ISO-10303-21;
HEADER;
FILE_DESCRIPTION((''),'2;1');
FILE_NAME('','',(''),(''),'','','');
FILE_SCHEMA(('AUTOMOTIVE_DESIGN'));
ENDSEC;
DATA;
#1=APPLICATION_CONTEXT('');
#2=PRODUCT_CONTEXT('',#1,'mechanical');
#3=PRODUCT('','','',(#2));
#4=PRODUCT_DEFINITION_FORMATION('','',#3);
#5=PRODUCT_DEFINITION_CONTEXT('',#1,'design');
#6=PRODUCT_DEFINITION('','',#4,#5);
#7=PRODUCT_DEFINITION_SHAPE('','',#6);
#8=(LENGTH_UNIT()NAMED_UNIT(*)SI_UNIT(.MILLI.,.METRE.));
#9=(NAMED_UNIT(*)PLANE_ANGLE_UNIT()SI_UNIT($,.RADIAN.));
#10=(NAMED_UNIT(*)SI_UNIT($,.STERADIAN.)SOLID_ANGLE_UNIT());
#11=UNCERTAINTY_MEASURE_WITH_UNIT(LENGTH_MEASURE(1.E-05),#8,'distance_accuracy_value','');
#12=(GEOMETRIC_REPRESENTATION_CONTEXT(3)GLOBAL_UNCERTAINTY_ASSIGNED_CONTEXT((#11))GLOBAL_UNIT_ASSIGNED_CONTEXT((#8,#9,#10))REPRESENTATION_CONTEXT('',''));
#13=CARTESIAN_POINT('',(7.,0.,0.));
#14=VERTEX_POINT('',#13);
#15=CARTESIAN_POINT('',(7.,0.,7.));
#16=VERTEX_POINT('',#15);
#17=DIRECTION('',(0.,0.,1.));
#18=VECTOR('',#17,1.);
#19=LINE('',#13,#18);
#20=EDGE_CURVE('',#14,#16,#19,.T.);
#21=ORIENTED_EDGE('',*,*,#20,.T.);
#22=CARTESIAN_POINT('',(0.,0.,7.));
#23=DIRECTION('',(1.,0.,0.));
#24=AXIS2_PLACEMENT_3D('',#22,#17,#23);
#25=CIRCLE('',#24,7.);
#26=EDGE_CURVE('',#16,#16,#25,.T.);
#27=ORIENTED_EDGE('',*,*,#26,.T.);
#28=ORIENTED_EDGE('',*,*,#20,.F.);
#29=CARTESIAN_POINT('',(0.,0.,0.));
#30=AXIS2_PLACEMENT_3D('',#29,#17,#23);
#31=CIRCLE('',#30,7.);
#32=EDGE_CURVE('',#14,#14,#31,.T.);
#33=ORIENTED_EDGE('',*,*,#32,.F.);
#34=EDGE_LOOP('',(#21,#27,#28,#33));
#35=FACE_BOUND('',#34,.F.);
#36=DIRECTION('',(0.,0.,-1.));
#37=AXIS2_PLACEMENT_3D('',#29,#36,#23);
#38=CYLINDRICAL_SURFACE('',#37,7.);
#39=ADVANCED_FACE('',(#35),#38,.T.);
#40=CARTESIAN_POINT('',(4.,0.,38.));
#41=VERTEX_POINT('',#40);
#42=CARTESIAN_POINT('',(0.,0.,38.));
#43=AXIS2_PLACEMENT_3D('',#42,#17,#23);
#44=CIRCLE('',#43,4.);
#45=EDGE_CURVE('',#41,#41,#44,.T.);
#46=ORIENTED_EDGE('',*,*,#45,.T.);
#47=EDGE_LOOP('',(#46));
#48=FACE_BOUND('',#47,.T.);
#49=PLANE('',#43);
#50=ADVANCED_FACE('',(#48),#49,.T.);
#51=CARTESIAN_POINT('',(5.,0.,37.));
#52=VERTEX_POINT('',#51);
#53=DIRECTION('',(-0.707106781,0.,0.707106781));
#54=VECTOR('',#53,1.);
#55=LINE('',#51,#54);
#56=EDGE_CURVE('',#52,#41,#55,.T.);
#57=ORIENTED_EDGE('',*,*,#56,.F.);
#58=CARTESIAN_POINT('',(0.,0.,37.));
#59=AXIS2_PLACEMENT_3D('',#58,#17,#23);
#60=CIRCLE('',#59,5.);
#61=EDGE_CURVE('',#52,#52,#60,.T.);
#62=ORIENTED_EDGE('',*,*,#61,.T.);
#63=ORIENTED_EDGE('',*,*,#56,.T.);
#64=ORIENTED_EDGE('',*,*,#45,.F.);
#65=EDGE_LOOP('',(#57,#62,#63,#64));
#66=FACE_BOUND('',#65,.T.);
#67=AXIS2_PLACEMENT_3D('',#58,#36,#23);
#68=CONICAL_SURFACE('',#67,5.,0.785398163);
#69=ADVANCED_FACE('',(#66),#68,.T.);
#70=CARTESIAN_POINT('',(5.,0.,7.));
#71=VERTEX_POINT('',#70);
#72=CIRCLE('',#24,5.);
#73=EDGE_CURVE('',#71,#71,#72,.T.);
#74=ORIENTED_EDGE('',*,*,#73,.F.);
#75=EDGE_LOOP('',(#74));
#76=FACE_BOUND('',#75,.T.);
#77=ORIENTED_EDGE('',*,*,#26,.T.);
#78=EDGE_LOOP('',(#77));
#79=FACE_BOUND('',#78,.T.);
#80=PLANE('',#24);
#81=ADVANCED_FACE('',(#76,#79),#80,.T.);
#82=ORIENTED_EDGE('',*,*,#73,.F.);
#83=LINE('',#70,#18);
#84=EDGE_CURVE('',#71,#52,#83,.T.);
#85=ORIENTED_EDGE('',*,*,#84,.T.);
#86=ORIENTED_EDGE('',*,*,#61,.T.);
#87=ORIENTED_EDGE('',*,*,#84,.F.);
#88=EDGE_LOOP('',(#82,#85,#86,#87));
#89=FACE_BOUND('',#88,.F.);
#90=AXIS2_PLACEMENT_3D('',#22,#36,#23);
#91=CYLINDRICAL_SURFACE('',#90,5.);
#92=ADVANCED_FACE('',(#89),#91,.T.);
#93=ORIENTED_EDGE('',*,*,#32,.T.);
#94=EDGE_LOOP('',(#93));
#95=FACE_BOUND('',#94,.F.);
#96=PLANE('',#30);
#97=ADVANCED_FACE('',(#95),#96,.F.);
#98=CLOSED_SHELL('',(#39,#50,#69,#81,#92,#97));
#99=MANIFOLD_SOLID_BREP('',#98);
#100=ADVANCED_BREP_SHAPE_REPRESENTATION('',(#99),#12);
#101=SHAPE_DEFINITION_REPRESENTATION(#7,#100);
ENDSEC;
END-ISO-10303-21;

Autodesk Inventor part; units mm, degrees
ref_plane "YZ Plane" through (0, 0, 0) normal (1, 0, 0) x (0, 1, 0)
ref_plane "XZ Plane" through (0, 0, 0) normal (0, 1, 0) x (-1, 0, 0)
ref_plane "XY Plane" through (0, 0, 0) normal (0, 0, 1) x (1, 0, 0)
sketch "Sketch1" plane through (0, 0, 0) normal (0, 0, 1) x (1, 0, 0)
  circle A0 centre (0, 0) radius 7
  dimension "d0" = 14
extrude "Extrusion1" add sketch "Sketch1" along normal blind 7
sketch "Sketch2" plane through (0, 0, 7) normal (0, 0, 1) x (1, 0, 0)
  circle A0 centre (0, 0) radius 5
  dimension "d3" = 10
extrude "Extrusion2" add sketch "Sketch2" along normal blind 31
chamfer "Chamfer1" distance 1 angle 45 1 edges at (-5, 0, 38)
properties part number "bolt"
